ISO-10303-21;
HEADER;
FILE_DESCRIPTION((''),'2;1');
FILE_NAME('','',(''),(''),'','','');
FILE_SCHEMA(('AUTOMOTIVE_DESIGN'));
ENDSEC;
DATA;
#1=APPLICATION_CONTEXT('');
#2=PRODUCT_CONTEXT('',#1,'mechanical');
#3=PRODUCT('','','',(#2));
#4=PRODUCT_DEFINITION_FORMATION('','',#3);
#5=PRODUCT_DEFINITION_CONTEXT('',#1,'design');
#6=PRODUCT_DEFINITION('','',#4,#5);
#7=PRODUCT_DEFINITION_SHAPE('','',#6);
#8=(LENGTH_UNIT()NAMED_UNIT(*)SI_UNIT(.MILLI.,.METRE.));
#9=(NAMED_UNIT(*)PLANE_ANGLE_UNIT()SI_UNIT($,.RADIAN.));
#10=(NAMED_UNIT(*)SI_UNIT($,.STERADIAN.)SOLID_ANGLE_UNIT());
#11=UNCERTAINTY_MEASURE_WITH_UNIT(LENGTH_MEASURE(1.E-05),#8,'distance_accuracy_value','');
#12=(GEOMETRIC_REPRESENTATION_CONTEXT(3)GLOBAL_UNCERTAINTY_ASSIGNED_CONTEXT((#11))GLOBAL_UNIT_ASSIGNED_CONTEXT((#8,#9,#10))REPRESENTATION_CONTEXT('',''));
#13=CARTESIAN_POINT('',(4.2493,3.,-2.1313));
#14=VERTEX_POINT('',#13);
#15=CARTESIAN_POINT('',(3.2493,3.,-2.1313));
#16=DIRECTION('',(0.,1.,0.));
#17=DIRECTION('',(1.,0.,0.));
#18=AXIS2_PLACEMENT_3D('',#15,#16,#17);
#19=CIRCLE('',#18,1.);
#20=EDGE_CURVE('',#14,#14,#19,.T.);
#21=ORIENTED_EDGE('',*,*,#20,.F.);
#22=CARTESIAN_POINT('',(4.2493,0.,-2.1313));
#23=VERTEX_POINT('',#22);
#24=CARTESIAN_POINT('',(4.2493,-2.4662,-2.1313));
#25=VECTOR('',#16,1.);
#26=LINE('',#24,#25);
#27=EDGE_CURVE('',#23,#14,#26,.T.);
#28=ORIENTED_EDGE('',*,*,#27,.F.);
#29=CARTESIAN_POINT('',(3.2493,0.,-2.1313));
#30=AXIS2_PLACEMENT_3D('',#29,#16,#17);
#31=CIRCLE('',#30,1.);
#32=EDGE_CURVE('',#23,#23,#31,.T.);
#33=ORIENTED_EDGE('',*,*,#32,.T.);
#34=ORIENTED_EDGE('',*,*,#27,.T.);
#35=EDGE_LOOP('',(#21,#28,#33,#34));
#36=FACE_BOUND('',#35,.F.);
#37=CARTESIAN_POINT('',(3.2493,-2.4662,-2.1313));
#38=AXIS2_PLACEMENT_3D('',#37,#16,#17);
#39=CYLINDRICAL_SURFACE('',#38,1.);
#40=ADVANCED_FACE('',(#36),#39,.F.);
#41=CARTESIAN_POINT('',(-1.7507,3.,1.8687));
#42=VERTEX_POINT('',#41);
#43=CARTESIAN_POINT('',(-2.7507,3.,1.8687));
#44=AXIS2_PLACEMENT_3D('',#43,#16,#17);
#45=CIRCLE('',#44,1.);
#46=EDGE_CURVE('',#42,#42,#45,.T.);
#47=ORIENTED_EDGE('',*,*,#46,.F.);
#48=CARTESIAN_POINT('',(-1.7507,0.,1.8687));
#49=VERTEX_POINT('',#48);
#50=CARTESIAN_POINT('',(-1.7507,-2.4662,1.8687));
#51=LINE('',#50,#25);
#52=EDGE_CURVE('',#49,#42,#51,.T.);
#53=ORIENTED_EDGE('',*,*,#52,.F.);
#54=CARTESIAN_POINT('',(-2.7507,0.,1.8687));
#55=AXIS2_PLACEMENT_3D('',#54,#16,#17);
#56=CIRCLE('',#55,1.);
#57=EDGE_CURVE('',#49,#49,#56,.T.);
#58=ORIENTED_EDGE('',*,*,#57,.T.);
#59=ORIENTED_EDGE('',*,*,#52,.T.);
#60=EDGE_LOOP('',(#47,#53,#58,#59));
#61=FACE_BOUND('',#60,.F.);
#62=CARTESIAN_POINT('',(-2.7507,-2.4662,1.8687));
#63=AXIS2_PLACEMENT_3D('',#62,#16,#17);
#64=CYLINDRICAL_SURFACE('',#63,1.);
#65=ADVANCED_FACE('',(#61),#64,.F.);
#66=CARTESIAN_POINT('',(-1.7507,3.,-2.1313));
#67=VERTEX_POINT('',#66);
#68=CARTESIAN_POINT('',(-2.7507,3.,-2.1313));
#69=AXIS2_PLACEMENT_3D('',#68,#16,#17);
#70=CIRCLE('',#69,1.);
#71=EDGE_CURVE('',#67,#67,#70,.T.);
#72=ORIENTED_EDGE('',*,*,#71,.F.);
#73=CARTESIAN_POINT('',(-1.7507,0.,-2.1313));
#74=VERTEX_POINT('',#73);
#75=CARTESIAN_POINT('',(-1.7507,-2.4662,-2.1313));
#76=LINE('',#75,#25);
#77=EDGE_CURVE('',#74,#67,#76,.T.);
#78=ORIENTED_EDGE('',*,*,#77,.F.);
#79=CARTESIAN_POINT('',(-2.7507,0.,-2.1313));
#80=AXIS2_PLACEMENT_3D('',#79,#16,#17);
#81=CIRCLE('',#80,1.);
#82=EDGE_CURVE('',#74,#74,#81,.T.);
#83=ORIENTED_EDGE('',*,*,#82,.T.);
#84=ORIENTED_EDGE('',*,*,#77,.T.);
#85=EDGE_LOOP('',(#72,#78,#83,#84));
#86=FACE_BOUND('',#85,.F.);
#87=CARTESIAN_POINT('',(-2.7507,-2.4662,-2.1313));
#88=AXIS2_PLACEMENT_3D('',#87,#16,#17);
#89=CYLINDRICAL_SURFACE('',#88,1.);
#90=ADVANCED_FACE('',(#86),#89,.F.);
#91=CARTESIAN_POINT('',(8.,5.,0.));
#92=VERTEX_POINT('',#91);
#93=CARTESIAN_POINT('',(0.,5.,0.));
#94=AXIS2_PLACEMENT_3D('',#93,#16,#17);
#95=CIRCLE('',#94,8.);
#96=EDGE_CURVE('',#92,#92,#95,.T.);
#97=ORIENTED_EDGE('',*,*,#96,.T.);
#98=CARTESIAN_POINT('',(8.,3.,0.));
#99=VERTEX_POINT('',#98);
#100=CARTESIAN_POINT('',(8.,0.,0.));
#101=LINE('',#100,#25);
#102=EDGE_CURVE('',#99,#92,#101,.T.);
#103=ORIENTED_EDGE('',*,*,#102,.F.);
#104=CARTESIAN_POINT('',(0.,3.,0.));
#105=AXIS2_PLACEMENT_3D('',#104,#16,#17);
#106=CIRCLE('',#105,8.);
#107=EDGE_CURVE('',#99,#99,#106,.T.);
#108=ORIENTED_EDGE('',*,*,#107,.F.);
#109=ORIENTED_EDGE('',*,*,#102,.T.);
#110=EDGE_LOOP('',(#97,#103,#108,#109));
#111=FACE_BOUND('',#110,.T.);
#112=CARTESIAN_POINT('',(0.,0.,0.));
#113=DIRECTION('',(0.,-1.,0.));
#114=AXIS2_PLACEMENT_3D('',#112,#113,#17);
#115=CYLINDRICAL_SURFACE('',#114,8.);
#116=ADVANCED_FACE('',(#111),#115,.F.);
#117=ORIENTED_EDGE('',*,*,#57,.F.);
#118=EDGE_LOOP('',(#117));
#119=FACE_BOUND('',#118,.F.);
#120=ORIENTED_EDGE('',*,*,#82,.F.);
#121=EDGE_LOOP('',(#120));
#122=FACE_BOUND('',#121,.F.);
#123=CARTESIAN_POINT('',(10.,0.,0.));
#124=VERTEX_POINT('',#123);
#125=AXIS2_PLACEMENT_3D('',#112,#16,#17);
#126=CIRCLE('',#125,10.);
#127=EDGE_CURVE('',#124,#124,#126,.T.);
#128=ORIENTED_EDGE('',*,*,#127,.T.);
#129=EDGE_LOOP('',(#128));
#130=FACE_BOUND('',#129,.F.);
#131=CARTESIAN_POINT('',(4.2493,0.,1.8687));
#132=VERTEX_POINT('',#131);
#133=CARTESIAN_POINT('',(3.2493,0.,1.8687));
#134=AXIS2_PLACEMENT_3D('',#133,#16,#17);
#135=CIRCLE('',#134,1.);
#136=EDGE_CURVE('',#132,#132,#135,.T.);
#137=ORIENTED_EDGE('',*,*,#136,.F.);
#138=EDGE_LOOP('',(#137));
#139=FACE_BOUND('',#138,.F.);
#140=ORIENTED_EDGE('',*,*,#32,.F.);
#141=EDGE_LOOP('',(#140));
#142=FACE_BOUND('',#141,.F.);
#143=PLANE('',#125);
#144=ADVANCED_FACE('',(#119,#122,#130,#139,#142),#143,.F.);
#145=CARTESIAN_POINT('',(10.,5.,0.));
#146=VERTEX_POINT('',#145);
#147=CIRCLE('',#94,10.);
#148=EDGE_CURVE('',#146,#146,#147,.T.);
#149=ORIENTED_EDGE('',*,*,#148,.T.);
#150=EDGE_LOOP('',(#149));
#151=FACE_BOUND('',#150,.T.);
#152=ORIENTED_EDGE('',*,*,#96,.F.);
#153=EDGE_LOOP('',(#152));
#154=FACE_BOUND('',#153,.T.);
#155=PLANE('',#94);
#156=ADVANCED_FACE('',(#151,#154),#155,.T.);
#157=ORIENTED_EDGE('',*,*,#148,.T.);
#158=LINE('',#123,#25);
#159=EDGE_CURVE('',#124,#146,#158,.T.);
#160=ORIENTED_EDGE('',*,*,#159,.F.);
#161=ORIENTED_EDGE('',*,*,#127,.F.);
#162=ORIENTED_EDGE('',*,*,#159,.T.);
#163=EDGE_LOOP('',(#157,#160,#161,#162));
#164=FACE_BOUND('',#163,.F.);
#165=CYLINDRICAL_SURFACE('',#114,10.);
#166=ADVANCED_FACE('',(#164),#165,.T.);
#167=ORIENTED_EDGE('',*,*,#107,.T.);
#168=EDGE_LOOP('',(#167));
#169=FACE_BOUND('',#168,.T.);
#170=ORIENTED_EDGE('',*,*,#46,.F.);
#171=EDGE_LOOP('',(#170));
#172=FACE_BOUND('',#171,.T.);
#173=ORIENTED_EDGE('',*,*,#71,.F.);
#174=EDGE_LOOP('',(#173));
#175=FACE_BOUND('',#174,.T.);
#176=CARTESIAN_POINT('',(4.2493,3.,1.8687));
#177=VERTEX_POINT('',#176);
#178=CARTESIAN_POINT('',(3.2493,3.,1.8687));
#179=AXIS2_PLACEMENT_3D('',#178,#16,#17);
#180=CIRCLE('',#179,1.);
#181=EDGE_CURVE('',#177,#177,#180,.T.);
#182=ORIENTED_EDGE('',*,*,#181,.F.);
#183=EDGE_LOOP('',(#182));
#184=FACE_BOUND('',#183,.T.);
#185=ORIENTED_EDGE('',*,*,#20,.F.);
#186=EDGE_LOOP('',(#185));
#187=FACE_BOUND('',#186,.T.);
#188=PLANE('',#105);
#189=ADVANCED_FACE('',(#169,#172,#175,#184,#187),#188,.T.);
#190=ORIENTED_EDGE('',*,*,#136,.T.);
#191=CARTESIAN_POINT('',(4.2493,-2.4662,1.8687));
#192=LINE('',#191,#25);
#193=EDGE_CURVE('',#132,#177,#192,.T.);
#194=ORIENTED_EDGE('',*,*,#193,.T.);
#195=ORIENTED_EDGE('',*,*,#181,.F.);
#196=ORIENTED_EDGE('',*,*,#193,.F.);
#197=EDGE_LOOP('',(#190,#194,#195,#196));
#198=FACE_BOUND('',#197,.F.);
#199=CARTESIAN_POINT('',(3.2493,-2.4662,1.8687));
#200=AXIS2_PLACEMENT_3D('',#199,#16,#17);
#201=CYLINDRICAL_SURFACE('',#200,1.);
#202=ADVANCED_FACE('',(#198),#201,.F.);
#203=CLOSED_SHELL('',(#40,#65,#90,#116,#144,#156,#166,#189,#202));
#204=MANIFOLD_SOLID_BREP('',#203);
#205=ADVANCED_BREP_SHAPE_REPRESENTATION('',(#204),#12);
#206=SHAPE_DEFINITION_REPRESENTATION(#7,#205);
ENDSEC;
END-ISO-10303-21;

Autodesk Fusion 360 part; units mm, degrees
sketch "草图1" plane through (0, 0, 0) normal (0, 1, 0) x (1, 0, 0)
  circle A0 centre (0, 0) radius 10
  circle A1 centre (0, 0) radius 8
  dimension "d1" = 20
  dimension "d2" = 2
extrude "拉伸1" add sketch "草图1" along normal blind 3 contours A1 makes body 1
extrude "拉伸2" add sketch "草图1" along normal blind 5 bodies 1
cylinder "圆柱体基本要素1" add diameter 2 height 20 placed x (1, 0, 0) y (0, 0, -1) z (0, 1, 0) at (15, 0, 30) separate body makes body 2
move_body "移动1" bodies 2 to x (1, 0, 0) y (0, 1, 0) z (0, 0, 1) at (-15.0005, 0.0913, -29.9153)
move_body "移动2" bodies 2 to x (1, 0, 0) y (0, 1, 0) z (0, 0, 1) at (0, 0, -0.0913)
move_body "移动3" bodies 2 to x (1, 0, 0) y (0, 1, 0) z (0, 0, 1) at (24.0594, 0, -2.9322)
move_body "移动4" bodies 2 to x (1, 0, 0) y (0, 1, 0) z (0, 0, 1) at (-20.7863, 0, 5.8274)
pattern_linear "R-阵列1" count 2 spacing 6 along (1, 0, 0) count 2 spacing 4 along (0, 0, 1) of bodies 2 makes body 3 at (10.2676, 13.4246, 2.9882) makes body 4 at (4.2676, 13.4246, 6.9882) makes body 5 at (10.2676, 13.4246, 6.9882)
move_body "移动5" bodies 2 3 5 4 to x (1, 0, 0) y (0, 1, 0) z (0, 0, 1) at (-5.932, -2.5575, -4.9286)
move_body "移动6" bodies 2 3 5 4 to x (1, 0, 0) y (0, 1, 0) z (0, 0, 1) at (-0.0913, 0, -0.0913)
combine "合并1" operation cut target body 1 tool bodies 2 3 4 5
